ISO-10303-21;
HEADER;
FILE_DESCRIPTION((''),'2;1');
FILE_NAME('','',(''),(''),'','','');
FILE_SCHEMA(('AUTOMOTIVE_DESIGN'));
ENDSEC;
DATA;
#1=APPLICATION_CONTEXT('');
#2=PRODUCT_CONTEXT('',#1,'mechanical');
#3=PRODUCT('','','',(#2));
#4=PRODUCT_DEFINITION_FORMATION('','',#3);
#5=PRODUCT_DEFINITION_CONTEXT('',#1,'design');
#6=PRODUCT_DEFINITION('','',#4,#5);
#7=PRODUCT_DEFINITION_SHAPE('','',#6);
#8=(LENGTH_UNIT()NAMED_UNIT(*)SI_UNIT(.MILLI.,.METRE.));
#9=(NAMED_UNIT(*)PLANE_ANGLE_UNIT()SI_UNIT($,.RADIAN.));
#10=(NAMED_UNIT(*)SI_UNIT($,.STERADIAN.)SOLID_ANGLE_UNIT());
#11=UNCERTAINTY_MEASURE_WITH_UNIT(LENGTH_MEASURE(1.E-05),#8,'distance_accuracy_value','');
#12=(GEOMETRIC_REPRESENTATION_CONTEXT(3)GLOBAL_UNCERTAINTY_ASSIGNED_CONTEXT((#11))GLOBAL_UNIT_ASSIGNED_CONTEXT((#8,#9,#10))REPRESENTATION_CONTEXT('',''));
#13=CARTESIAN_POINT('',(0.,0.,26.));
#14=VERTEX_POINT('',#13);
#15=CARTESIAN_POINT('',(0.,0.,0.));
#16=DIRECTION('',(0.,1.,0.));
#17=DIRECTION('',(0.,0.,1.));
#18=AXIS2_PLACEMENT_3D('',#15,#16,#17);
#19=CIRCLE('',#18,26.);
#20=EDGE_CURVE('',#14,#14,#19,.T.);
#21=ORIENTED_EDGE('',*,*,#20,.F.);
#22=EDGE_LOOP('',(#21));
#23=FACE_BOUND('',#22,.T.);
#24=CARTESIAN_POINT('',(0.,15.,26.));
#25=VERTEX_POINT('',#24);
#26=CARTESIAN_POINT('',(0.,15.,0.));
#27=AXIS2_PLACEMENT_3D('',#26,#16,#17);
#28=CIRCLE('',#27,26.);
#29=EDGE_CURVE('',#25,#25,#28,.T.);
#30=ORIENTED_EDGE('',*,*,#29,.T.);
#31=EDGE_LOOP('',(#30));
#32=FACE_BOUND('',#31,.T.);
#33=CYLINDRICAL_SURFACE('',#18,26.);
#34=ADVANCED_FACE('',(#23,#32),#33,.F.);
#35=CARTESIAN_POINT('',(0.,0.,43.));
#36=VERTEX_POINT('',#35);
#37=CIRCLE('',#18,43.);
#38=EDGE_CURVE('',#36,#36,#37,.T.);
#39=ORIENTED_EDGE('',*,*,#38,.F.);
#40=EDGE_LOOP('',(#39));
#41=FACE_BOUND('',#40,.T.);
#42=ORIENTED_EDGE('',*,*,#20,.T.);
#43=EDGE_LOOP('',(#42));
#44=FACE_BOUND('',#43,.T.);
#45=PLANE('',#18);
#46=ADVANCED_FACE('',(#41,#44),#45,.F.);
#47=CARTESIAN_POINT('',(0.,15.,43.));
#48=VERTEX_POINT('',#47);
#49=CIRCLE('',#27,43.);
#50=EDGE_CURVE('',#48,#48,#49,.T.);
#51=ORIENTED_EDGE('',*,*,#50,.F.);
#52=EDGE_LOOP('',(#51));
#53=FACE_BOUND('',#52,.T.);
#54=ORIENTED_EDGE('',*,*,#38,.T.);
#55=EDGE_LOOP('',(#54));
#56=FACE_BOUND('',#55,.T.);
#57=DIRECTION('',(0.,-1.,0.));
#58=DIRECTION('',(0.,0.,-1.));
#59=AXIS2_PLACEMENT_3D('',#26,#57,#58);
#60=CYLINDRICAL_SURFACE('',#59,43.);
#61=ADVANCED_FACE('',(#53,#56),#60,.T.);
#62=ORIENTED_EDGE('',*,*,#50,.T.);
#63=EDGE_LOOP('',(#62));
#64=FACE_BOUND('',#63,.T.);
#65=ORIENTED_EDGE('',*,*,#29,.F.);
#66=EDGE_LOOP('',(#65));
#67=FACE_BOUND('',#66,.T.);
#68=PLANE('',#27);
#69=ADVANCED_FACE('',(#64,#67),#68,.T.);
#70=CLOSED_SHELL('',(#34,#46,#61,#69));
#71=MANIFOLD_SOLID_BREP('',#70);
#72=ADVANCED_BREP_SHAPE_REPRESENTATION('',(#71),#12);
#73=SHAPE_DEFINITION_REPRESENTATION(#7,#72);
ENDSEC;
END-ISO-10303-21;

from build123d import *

# Parameters (mm, degrees)
SKETCH2_R           = 43
BOSS_EXTRUDE1_DEPTH = 15
SKETCH3_R           = 26
CUT_EXTRUDE1_DEPTH  = 15


with BuildPart() as part:
    # Sketch2 → Boss-Extrude1 (new body)
    with BuildSketch(Plane(origin=(0, 0, 0), x_dir=(1, 0, 0), z_dir=(0, 1, 0))):
        with Locations(Location((0, 0, 0), (0, 0, 270))):
            Circle(SKETCH2_R)
    extrude(amount=BOSS_EXTRUDE1_DEPTH)

    # Sketch3 → Cut-Extrude1 (cut)
    with BuildSketch(Plane(origin=(0, 15, 0), x_dir=(1, 0, 0), z_dir=(0, 1, 0))):
        with Locations(Location((0, 0, 0), (0, 0, 270))):
            Circle(SKETCH3_R)
    extrude(amount=-CUT_EXTRUDE1_DEPTH, mode=Mode.SUBTRACT)


solid = part.part
